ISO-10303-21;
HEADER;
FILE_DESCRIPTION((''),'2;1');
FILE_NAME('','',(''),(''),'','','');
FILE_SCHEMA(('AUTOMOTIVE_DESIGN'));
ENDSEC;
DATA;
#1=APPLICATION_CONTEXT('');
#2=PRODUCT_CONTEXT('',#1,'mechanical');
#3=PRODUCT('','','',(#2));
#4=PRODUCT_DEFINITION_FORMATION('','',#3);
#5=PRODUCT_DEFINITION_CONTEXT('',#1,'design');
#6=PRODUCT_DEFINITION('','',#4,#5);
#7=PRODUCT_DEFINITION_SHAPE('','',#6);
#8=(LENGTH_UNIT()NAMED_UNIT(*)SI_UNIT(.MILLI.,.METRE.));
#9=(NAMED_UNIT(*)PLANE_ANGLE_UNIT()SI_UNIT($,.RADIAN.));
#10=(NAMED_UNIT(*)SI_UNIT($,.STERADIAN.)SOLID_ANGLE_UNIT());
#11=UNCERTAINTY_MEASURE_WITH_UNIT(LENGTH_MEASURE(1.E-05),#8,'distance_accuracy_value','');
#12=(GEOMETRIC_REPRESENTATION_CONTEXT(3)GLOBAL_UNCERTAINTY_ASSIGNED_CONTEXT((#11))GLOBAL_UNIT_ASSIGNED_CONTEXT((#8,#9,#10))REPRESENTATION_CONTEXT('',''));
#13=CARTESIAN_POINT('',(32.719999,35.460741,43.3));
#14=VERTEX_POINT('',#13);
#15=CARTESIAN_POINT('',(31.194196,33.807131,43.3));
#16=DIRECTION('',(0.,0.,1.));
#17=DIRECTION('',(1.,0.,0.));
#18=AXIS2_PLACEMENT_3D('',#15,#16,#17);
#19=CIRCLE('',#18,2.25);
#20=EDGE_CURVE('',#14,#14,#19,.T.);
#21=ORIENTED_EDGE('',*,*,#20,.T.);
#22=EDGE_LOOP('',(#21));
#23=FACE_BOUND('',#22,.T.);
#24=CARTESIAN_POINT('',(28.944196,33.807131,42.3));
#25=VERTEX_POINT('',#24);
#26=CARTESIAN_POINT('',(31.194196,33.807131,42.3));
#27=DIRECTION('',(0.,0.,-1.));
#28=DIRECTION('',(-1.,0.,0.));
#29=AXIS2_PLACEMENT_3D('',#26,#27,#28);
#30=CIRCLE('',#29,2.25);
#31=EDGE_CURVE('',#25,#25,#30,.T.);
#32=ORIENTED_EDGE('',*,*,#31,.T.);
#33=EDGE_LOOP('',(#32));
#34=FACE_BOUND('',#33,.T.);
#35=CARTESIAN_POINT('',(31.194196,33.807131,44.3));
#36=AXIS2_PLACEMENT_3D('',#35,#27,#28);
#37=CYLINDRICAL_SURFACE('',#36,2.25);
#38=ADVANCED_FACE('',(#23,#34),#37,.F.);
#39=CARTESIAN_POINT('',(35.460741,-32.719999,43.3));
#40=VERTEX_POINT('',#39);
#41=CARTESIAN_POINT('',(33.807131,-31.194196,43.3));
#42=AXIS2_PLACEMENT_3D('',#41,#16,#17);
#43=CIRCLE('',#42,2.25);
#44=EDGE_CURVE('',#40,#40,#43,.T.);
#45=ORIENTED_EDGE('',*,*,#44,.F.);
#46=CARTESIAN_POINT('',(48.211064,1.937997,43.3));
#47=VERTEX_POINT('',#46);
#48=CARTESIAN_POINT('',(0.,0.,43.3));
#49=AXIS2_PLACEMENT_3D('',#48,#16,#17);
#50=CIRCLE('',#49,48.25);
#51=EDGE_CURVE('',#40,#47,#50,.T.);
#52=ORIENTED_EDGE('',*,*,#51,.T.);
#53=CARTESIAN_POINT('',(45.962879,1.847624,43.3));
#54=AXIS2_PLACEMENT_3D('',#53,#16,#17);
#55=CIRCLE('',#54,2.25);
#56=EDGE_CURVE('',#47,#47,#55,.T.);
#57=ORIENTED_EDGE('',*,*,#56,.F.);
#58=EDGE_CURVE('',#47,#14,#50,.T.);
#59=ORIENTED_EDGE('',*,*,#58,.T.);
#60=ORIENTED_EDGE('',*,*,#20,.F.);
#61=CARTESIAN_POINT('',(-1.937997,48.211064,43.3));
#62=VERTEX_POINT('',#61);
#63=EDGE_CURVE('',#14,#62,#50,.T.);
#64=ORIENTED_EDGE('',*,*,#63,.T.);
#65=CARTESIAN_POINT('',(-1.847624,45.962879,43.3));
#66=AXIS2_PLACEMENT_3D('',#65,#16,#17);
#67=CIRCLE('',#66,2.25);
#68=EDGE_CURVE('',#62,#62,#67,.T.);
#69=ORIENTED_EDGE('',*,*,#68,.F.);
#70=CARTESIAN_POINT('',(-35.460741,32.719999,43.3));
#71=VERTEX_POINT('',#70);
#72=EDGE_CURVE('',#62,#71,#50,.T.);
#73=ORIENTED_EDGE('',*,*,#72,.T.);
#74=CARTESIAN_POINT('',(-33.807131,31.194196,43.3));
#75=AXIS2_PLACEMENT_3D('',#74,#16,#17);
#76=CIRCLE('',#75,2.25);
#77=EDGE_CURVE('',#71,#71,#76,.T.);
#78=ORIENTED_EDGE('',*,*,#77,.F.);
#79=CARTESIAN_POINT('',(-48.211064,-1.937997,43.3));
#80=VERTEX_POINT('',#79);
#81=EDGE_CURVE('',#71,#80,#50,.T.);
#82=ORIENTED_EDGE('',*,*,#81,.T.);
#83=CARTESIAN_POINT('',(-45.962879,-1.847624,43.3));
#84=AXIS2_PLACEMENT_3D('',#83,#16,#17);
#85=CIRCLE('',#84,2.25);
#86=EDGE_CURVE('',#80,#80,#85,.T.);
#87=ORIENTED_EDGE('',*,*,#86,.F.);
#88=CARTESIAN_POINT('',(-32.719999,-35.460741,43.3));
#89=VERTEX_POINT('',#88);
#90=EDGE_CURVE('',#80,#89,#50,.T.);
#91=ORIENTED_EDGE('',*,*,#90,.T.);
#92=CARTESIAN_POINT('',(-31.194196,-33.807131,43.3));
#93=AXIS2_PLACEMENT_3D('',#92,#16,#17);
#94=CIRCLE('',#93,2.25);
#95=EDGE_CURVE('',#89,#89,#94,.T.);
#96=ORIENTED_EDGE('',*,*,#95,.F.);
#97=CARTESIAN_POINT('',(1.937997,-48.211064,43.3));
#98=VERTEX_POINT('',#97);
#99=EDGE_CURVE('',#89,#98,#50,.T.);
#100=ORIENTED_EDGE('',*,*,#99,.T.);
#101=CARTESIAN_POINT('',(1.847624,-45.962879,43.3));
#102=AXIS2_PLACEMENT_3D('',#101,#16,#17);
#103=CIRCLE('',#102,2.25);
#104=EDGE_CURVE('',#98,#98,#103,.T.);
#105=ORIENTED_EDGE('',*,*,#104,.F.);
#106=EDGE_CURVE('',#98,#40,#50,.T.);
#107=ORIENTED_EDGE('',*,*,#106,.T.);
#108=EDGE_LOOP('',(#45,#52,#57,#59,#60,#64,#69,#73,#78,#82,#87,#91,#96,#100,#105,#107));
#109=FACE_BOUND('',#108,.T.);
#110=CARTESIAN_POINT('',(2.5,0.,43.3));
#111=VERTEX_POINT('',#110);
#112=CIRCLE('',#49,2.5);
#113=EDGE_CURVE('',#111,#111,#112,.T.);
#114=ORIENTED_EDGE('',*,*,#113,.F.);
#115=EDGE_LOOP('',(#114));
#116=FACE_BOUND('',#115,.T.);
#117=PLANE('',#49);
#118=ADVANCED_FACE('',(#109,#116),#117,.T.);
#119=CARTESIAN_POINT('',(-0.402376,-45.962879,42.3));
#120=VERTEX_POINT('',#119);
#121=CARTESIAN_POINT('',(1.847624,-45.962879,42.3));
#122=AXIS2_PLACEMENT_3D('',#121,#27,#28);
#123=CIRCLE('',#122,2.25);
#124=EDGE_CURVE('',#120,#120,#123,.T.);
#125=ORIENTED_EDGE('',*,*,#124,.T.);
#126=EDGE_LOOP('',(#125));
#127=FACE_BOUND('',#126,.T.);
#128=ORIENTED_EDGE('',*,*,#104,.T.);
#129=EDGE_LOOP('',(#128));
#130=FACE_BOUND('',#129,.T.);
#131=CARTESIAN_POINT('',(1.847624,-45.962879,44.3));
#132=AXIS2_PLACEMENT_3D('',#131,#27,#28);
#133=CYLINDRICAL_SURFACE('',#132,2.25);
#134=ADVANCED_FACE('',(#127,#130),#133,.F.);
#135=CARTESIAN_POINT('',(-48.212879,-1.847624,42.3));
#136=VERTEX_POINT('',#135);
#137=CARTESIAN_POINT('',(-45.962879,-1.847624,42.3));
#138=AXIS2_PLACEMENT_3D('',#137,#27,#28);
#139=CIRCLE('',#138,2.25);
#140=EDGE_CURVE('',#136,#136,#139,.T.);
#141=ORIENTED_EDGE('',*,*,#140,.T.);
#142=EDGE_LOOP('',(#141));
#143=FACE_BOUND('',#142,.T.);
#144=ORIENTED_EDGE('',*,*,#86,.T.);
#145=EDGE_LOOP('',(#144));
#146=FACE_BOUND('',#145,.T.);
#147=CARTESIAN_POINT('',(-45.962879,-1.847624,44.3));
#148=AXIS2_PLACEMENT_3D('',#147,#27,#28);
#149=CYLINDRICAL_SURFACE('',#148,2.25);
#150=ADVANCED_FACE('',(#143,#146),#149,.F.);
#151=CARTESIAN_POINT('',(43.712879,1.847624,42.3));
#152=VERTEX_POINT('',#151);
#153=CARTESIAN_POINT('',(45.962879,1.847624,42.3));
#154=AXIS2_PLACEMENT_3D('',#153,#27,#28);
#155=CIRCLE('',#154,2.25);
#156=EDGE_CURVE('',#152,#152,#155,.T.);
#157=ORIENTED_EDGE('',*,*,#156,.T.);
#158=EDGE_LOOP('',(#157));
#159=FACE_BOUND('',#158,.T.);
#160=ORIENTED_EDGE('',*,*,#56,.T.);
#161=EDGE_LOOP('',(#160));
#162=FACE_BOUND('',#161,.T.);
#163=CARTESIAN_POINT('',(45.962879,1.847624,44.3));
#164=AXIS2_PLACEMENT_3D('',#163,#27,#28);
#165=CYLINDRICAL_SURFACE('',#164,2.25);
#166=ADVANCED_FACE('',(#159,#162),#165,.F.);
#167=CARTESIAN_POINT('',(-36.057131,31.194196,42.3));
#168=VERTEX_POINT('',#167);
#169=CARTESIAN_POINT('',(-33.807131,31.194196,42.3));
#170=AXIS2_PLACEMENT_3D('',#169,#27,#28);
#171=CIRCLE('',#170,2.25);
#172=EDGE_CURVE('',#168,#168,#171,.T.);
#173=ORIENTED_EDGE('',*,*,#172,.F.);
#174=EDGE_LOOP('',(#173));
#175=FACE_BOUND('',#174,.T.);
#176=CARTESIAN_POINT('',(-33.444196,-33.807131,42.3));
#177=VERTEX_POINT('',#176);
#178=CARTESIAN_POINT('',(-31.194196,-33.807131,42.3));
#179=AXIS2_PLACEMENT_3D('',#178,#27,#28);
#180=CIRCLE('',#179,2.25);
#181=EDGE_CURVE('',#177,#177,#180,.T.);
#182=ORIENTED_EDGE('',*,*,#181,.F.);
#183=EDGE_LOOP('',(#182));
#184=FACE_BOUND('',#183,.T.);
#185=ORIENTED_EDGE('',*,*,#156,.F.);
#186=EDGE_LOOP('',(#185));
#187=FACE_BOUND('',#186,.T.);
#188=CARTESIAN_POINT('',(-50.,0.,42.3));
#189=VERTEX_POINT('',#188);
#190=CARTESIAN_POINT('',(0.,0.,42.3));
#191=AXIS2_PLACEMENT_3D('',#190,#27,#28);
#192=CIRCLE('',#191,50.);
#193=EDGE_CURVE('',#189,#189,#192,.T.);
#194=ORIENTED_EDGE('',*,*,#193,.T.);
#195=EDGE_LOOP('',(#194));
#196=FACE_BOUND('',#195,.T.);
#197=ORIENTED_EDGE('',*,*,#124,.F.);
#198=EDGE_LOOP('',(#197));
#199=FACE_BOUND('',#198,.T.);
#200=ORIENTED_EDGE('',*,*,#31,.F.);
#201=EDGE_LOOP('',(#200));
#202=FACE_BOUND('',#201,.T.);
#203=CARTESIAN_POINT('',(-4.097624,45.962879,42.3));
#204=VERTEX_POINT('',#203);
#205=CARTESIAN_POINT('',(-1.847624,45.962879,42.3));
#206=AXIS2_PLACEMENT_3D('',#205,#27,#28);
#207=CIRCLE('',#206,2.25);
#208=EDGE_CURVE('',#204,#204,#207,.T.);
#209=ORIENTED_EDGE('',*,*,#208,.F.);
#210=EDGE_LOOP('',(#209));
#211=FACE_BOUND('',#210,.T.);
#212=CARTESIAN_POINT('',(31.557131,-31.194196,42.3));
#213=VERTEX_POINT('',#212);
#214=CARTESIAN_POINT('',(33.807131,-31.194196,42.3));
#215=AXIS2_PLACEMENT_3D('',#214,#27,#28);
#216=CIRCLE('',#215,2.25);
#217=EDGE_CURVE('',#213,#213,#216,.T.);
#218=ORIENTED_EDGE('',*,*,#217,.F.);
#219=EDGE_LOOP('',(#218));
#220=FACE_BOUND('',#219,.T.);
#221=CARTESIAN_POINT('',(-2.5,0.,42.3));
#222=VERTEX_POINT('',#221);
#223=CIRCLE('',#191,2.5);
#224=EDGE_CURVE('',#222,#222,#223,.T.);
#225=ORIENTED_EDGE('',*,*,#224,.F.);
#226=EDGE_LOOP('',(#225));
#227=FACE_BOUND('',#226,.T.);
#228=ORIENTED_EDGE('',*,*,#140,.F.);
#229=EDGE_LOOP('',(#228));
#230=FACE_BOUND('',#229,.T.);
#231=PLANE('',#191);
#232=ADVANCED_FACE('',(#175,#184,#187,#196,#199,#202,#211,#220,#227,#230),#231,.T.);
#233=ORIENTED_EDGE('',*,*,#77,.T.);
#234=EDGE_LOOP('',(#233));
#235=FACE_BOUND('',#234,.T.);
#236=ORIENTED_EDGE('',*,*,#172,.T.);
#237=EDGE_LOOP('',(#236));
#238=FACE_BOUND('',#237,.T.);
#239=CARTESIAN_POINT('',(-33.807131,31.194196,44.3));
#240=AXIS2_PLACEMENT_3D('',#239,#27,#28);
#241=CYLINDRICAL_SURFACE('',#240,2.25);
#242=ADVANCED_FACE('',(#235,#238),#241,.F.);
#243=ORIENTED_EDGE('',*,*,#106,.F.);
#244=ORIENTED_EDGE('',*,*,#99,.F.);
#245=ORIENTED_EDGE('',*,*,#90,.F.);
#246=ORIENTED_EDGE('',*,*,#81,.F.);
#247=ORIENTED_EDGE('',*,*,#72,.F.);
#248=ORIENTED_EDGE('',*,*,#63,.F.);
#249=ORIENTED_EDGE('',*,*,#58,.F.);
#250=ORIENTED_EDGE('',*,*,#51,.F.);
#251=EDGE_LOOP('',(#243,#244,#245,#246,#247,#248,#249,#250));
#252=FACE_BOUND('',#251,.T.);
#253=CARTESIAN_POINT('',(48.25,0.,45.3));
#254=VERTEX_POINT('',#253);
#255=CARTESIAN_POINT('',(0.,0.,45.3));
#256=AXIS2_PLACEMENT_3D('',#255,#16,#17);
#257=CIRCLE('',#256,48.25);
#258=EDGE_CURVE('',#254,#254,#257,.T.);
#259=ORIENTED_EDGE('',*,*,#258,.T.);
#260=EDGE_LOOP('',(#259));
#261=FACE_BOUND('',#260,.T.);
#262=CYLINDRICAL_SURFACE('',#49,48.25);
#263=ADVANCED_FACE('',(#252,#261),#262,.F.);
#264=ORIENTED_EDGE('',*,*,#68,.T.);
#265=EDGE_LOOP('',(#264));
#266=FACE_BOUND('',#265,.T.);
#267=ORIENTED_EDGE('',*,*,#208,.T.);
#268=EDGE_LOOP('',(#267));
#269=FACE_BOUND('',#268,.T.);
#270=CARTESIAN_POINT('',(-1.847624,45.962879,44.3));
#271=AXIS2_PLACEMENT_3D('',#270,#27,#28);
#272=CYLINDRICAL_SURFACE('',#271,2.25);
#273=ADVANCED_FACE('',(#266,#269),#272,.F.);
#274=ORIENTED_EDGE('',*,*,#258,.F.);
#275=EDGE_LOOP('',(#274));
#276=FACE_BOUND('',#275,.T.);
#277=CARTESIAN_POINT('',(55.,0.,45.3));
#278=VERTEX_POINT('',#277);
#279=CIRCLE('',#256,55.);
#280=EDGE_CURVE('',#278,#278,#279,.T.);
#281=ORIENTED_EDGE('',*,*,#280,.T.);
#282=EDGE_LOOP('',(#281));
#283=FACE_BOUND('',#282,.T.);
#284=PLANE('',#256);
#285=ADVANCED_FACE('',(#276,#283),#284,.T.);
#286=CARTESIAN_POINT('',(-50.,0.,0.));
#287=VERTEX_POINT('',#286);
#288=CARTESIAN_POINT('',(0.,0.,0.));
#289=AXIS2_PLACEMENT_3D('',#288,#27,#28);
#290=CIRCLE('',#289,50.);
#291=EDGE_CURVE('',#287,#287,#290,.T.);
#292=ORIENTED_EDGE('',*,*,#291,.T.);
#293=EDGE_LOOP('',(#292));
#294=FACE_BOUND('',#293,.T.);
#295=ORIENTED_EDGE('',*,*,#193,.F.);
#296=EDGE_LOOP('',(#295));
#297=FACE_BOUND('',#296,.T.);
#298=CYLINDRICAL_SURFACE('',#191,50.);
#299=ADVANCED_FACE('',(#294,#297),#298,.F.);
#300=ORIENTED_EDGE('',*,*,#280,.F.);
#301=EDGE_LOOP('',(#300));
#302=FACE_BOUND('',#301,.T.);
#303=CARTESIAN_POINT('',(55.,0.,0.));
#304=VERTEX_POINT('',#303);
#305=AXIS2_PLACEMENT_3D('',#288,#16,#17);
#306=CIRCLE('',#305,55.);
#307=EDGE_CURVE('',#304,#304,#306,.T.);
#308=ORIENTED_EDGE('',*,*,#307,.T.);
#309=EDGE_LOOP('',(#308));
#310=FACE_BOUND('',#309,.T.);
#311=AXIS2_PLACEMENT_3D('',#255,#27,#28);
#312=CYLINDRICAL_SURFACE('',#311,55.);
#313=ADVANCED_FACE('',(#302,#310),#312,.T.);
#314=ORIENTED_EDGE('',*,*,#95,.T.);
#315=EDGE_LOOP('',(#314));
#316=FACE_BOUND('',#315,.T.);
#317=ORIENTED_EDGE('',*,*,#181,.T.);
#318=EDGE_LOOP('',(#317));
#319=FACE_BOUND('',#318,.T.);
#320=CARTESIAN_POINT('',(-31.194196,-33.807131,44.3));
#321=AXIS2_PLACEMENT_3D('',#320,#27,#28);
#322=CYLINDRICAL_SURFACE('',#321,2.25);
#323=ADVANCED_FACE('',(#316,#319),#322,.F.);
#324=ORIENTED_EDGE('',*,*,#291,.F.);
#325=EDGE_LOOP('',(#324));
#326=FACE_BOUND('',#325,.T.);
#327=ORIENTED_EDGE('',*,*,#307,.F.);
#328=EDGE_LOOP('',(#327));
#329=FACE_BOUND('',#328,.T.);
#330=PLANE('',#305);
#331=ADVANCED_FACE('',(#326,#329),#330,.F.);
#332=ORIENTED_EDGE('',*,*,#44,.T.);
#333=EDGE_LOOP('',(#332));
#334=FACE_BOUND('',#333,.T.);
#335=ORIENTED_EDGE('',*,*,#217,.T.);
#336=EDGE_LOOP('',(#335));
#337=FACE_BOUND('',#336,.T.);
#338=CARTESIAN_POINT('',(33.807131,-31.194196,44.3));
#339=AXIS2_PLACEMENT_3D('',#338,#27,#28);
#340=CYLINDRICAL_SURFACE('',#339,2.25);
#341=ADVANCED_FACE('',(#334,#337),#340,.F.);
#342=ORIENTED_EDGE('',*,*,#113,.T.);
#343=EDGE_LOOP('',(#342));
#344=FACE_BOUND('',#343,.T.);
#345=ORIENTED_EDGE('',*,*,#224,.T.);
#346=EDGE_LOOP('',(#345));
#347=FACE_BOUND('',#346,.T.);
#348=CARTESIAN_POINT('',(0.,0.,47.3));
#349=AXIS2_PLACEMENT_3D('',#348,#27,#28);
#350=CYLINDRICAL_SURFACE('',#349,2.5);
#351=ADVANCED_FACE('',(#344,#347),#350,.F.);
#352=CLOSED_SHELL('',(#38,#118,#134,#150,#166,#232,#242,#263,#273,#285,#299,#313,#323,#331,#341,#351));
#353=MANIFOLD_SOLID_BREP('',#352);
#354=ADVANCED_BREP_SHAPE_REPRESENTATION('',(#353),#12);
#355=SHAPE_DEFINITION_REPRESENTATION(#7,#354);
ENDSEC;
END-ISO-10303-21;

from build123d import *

# Parameters (mm, degrees)
SKETCH_1_R          = 55
EXTRUDE_3_DEPTH     = 45.3
SKETCH_5_R          = 50
CUT_EXTRUDE_3_DEPTH = 42.3
SKETCH_8_R          = 48.25
CUT_EXTRUDE_4_DEPTH = 2
SKETCH_6_R          = 2.25
CUT_EXTRUDE_6_DEPTH = 2
SKETCH_10_R         = 2.5
CUT_EXTRUDE_7_DEPTH = 5


with BuildPart() as part:
    # 草图1 → 凸台-拉伸3 (new body)
    with BuildSketch(Plane.XY):
        Circle(SKETCH_1_R)
    extrude(amount=EXTRUDE_3_DEPTH)

    # 草图5 → 切除-拉伸3 (cut)
    with BuildSketch(Plane(origin=(0, 0, 0), x_dir=(-1, 0, 0), z_dir=(0, 0, -1))):
        Circle(SKETCH_5_R)
    extrude(amount=-CUT_EXTRUDE_3_DEPTH, mode=Mode.SUBTRACT)

    # 草图8 → 切除-拉伸4 (cut)
    with BuildSketch(Plane.XY.offset(45.3)):
        Circle(SKETCH_8_R)
    extrude(amount=-CUT_EXTRUDE_4_DEPTH, mode=Mode.SUBTRACT)

    # 草图6 → 切除-拉伸6 (cut)
    with BuildSketch(Plane(origin=(0, 0, 42.3), x_dir=(-1, 0, 0), z_dir=(0, 0, -1))):
        with Locations((31.194195936, -33.807131495)):
            Circle(SKETCH_6_R)
        with Locations((-1.847624453, -45.962879412)):
            Circle(SKETCH_6_R)
        with Locations((-33.807131495, -31.194195936)):
            Circle(SKETCH_6_R)
        with Locations((-45.962879412, 1.847624453)):
            Circle(SKETCH_6_R)
        with Locations((-31.194195936, 33.807131495)):
            Circle(SKETCH_6_R)
        with Locations((1.847624453, 45.962879412)):
            Circle(SKETCH_6_R)
        with Locations((33.807131495, 31.194195936)):
            Circle(SKETCH_6_R)
        with Locations((45.962879412, -1.847624453)):
            Circle(SKETCH_6_R)
    extrude(amount=-CUT_EXTRUDE_6_DEPTH, mode=Mode.SUBTRACT)

    # 草图10 → 切除-拉伸7 (cut)
    with BuildSketch(Plane(origin=(0, 0, 42.3), x_dir=(-1, 0, 0), z_dir=(0, 0, -1))):
        Circle(SKETCH_10_R)
    extrude(amount=-CUT_EXTRUDE_7_DEPTH, mode=Mode.SUBTRACT)


solid = part.part
